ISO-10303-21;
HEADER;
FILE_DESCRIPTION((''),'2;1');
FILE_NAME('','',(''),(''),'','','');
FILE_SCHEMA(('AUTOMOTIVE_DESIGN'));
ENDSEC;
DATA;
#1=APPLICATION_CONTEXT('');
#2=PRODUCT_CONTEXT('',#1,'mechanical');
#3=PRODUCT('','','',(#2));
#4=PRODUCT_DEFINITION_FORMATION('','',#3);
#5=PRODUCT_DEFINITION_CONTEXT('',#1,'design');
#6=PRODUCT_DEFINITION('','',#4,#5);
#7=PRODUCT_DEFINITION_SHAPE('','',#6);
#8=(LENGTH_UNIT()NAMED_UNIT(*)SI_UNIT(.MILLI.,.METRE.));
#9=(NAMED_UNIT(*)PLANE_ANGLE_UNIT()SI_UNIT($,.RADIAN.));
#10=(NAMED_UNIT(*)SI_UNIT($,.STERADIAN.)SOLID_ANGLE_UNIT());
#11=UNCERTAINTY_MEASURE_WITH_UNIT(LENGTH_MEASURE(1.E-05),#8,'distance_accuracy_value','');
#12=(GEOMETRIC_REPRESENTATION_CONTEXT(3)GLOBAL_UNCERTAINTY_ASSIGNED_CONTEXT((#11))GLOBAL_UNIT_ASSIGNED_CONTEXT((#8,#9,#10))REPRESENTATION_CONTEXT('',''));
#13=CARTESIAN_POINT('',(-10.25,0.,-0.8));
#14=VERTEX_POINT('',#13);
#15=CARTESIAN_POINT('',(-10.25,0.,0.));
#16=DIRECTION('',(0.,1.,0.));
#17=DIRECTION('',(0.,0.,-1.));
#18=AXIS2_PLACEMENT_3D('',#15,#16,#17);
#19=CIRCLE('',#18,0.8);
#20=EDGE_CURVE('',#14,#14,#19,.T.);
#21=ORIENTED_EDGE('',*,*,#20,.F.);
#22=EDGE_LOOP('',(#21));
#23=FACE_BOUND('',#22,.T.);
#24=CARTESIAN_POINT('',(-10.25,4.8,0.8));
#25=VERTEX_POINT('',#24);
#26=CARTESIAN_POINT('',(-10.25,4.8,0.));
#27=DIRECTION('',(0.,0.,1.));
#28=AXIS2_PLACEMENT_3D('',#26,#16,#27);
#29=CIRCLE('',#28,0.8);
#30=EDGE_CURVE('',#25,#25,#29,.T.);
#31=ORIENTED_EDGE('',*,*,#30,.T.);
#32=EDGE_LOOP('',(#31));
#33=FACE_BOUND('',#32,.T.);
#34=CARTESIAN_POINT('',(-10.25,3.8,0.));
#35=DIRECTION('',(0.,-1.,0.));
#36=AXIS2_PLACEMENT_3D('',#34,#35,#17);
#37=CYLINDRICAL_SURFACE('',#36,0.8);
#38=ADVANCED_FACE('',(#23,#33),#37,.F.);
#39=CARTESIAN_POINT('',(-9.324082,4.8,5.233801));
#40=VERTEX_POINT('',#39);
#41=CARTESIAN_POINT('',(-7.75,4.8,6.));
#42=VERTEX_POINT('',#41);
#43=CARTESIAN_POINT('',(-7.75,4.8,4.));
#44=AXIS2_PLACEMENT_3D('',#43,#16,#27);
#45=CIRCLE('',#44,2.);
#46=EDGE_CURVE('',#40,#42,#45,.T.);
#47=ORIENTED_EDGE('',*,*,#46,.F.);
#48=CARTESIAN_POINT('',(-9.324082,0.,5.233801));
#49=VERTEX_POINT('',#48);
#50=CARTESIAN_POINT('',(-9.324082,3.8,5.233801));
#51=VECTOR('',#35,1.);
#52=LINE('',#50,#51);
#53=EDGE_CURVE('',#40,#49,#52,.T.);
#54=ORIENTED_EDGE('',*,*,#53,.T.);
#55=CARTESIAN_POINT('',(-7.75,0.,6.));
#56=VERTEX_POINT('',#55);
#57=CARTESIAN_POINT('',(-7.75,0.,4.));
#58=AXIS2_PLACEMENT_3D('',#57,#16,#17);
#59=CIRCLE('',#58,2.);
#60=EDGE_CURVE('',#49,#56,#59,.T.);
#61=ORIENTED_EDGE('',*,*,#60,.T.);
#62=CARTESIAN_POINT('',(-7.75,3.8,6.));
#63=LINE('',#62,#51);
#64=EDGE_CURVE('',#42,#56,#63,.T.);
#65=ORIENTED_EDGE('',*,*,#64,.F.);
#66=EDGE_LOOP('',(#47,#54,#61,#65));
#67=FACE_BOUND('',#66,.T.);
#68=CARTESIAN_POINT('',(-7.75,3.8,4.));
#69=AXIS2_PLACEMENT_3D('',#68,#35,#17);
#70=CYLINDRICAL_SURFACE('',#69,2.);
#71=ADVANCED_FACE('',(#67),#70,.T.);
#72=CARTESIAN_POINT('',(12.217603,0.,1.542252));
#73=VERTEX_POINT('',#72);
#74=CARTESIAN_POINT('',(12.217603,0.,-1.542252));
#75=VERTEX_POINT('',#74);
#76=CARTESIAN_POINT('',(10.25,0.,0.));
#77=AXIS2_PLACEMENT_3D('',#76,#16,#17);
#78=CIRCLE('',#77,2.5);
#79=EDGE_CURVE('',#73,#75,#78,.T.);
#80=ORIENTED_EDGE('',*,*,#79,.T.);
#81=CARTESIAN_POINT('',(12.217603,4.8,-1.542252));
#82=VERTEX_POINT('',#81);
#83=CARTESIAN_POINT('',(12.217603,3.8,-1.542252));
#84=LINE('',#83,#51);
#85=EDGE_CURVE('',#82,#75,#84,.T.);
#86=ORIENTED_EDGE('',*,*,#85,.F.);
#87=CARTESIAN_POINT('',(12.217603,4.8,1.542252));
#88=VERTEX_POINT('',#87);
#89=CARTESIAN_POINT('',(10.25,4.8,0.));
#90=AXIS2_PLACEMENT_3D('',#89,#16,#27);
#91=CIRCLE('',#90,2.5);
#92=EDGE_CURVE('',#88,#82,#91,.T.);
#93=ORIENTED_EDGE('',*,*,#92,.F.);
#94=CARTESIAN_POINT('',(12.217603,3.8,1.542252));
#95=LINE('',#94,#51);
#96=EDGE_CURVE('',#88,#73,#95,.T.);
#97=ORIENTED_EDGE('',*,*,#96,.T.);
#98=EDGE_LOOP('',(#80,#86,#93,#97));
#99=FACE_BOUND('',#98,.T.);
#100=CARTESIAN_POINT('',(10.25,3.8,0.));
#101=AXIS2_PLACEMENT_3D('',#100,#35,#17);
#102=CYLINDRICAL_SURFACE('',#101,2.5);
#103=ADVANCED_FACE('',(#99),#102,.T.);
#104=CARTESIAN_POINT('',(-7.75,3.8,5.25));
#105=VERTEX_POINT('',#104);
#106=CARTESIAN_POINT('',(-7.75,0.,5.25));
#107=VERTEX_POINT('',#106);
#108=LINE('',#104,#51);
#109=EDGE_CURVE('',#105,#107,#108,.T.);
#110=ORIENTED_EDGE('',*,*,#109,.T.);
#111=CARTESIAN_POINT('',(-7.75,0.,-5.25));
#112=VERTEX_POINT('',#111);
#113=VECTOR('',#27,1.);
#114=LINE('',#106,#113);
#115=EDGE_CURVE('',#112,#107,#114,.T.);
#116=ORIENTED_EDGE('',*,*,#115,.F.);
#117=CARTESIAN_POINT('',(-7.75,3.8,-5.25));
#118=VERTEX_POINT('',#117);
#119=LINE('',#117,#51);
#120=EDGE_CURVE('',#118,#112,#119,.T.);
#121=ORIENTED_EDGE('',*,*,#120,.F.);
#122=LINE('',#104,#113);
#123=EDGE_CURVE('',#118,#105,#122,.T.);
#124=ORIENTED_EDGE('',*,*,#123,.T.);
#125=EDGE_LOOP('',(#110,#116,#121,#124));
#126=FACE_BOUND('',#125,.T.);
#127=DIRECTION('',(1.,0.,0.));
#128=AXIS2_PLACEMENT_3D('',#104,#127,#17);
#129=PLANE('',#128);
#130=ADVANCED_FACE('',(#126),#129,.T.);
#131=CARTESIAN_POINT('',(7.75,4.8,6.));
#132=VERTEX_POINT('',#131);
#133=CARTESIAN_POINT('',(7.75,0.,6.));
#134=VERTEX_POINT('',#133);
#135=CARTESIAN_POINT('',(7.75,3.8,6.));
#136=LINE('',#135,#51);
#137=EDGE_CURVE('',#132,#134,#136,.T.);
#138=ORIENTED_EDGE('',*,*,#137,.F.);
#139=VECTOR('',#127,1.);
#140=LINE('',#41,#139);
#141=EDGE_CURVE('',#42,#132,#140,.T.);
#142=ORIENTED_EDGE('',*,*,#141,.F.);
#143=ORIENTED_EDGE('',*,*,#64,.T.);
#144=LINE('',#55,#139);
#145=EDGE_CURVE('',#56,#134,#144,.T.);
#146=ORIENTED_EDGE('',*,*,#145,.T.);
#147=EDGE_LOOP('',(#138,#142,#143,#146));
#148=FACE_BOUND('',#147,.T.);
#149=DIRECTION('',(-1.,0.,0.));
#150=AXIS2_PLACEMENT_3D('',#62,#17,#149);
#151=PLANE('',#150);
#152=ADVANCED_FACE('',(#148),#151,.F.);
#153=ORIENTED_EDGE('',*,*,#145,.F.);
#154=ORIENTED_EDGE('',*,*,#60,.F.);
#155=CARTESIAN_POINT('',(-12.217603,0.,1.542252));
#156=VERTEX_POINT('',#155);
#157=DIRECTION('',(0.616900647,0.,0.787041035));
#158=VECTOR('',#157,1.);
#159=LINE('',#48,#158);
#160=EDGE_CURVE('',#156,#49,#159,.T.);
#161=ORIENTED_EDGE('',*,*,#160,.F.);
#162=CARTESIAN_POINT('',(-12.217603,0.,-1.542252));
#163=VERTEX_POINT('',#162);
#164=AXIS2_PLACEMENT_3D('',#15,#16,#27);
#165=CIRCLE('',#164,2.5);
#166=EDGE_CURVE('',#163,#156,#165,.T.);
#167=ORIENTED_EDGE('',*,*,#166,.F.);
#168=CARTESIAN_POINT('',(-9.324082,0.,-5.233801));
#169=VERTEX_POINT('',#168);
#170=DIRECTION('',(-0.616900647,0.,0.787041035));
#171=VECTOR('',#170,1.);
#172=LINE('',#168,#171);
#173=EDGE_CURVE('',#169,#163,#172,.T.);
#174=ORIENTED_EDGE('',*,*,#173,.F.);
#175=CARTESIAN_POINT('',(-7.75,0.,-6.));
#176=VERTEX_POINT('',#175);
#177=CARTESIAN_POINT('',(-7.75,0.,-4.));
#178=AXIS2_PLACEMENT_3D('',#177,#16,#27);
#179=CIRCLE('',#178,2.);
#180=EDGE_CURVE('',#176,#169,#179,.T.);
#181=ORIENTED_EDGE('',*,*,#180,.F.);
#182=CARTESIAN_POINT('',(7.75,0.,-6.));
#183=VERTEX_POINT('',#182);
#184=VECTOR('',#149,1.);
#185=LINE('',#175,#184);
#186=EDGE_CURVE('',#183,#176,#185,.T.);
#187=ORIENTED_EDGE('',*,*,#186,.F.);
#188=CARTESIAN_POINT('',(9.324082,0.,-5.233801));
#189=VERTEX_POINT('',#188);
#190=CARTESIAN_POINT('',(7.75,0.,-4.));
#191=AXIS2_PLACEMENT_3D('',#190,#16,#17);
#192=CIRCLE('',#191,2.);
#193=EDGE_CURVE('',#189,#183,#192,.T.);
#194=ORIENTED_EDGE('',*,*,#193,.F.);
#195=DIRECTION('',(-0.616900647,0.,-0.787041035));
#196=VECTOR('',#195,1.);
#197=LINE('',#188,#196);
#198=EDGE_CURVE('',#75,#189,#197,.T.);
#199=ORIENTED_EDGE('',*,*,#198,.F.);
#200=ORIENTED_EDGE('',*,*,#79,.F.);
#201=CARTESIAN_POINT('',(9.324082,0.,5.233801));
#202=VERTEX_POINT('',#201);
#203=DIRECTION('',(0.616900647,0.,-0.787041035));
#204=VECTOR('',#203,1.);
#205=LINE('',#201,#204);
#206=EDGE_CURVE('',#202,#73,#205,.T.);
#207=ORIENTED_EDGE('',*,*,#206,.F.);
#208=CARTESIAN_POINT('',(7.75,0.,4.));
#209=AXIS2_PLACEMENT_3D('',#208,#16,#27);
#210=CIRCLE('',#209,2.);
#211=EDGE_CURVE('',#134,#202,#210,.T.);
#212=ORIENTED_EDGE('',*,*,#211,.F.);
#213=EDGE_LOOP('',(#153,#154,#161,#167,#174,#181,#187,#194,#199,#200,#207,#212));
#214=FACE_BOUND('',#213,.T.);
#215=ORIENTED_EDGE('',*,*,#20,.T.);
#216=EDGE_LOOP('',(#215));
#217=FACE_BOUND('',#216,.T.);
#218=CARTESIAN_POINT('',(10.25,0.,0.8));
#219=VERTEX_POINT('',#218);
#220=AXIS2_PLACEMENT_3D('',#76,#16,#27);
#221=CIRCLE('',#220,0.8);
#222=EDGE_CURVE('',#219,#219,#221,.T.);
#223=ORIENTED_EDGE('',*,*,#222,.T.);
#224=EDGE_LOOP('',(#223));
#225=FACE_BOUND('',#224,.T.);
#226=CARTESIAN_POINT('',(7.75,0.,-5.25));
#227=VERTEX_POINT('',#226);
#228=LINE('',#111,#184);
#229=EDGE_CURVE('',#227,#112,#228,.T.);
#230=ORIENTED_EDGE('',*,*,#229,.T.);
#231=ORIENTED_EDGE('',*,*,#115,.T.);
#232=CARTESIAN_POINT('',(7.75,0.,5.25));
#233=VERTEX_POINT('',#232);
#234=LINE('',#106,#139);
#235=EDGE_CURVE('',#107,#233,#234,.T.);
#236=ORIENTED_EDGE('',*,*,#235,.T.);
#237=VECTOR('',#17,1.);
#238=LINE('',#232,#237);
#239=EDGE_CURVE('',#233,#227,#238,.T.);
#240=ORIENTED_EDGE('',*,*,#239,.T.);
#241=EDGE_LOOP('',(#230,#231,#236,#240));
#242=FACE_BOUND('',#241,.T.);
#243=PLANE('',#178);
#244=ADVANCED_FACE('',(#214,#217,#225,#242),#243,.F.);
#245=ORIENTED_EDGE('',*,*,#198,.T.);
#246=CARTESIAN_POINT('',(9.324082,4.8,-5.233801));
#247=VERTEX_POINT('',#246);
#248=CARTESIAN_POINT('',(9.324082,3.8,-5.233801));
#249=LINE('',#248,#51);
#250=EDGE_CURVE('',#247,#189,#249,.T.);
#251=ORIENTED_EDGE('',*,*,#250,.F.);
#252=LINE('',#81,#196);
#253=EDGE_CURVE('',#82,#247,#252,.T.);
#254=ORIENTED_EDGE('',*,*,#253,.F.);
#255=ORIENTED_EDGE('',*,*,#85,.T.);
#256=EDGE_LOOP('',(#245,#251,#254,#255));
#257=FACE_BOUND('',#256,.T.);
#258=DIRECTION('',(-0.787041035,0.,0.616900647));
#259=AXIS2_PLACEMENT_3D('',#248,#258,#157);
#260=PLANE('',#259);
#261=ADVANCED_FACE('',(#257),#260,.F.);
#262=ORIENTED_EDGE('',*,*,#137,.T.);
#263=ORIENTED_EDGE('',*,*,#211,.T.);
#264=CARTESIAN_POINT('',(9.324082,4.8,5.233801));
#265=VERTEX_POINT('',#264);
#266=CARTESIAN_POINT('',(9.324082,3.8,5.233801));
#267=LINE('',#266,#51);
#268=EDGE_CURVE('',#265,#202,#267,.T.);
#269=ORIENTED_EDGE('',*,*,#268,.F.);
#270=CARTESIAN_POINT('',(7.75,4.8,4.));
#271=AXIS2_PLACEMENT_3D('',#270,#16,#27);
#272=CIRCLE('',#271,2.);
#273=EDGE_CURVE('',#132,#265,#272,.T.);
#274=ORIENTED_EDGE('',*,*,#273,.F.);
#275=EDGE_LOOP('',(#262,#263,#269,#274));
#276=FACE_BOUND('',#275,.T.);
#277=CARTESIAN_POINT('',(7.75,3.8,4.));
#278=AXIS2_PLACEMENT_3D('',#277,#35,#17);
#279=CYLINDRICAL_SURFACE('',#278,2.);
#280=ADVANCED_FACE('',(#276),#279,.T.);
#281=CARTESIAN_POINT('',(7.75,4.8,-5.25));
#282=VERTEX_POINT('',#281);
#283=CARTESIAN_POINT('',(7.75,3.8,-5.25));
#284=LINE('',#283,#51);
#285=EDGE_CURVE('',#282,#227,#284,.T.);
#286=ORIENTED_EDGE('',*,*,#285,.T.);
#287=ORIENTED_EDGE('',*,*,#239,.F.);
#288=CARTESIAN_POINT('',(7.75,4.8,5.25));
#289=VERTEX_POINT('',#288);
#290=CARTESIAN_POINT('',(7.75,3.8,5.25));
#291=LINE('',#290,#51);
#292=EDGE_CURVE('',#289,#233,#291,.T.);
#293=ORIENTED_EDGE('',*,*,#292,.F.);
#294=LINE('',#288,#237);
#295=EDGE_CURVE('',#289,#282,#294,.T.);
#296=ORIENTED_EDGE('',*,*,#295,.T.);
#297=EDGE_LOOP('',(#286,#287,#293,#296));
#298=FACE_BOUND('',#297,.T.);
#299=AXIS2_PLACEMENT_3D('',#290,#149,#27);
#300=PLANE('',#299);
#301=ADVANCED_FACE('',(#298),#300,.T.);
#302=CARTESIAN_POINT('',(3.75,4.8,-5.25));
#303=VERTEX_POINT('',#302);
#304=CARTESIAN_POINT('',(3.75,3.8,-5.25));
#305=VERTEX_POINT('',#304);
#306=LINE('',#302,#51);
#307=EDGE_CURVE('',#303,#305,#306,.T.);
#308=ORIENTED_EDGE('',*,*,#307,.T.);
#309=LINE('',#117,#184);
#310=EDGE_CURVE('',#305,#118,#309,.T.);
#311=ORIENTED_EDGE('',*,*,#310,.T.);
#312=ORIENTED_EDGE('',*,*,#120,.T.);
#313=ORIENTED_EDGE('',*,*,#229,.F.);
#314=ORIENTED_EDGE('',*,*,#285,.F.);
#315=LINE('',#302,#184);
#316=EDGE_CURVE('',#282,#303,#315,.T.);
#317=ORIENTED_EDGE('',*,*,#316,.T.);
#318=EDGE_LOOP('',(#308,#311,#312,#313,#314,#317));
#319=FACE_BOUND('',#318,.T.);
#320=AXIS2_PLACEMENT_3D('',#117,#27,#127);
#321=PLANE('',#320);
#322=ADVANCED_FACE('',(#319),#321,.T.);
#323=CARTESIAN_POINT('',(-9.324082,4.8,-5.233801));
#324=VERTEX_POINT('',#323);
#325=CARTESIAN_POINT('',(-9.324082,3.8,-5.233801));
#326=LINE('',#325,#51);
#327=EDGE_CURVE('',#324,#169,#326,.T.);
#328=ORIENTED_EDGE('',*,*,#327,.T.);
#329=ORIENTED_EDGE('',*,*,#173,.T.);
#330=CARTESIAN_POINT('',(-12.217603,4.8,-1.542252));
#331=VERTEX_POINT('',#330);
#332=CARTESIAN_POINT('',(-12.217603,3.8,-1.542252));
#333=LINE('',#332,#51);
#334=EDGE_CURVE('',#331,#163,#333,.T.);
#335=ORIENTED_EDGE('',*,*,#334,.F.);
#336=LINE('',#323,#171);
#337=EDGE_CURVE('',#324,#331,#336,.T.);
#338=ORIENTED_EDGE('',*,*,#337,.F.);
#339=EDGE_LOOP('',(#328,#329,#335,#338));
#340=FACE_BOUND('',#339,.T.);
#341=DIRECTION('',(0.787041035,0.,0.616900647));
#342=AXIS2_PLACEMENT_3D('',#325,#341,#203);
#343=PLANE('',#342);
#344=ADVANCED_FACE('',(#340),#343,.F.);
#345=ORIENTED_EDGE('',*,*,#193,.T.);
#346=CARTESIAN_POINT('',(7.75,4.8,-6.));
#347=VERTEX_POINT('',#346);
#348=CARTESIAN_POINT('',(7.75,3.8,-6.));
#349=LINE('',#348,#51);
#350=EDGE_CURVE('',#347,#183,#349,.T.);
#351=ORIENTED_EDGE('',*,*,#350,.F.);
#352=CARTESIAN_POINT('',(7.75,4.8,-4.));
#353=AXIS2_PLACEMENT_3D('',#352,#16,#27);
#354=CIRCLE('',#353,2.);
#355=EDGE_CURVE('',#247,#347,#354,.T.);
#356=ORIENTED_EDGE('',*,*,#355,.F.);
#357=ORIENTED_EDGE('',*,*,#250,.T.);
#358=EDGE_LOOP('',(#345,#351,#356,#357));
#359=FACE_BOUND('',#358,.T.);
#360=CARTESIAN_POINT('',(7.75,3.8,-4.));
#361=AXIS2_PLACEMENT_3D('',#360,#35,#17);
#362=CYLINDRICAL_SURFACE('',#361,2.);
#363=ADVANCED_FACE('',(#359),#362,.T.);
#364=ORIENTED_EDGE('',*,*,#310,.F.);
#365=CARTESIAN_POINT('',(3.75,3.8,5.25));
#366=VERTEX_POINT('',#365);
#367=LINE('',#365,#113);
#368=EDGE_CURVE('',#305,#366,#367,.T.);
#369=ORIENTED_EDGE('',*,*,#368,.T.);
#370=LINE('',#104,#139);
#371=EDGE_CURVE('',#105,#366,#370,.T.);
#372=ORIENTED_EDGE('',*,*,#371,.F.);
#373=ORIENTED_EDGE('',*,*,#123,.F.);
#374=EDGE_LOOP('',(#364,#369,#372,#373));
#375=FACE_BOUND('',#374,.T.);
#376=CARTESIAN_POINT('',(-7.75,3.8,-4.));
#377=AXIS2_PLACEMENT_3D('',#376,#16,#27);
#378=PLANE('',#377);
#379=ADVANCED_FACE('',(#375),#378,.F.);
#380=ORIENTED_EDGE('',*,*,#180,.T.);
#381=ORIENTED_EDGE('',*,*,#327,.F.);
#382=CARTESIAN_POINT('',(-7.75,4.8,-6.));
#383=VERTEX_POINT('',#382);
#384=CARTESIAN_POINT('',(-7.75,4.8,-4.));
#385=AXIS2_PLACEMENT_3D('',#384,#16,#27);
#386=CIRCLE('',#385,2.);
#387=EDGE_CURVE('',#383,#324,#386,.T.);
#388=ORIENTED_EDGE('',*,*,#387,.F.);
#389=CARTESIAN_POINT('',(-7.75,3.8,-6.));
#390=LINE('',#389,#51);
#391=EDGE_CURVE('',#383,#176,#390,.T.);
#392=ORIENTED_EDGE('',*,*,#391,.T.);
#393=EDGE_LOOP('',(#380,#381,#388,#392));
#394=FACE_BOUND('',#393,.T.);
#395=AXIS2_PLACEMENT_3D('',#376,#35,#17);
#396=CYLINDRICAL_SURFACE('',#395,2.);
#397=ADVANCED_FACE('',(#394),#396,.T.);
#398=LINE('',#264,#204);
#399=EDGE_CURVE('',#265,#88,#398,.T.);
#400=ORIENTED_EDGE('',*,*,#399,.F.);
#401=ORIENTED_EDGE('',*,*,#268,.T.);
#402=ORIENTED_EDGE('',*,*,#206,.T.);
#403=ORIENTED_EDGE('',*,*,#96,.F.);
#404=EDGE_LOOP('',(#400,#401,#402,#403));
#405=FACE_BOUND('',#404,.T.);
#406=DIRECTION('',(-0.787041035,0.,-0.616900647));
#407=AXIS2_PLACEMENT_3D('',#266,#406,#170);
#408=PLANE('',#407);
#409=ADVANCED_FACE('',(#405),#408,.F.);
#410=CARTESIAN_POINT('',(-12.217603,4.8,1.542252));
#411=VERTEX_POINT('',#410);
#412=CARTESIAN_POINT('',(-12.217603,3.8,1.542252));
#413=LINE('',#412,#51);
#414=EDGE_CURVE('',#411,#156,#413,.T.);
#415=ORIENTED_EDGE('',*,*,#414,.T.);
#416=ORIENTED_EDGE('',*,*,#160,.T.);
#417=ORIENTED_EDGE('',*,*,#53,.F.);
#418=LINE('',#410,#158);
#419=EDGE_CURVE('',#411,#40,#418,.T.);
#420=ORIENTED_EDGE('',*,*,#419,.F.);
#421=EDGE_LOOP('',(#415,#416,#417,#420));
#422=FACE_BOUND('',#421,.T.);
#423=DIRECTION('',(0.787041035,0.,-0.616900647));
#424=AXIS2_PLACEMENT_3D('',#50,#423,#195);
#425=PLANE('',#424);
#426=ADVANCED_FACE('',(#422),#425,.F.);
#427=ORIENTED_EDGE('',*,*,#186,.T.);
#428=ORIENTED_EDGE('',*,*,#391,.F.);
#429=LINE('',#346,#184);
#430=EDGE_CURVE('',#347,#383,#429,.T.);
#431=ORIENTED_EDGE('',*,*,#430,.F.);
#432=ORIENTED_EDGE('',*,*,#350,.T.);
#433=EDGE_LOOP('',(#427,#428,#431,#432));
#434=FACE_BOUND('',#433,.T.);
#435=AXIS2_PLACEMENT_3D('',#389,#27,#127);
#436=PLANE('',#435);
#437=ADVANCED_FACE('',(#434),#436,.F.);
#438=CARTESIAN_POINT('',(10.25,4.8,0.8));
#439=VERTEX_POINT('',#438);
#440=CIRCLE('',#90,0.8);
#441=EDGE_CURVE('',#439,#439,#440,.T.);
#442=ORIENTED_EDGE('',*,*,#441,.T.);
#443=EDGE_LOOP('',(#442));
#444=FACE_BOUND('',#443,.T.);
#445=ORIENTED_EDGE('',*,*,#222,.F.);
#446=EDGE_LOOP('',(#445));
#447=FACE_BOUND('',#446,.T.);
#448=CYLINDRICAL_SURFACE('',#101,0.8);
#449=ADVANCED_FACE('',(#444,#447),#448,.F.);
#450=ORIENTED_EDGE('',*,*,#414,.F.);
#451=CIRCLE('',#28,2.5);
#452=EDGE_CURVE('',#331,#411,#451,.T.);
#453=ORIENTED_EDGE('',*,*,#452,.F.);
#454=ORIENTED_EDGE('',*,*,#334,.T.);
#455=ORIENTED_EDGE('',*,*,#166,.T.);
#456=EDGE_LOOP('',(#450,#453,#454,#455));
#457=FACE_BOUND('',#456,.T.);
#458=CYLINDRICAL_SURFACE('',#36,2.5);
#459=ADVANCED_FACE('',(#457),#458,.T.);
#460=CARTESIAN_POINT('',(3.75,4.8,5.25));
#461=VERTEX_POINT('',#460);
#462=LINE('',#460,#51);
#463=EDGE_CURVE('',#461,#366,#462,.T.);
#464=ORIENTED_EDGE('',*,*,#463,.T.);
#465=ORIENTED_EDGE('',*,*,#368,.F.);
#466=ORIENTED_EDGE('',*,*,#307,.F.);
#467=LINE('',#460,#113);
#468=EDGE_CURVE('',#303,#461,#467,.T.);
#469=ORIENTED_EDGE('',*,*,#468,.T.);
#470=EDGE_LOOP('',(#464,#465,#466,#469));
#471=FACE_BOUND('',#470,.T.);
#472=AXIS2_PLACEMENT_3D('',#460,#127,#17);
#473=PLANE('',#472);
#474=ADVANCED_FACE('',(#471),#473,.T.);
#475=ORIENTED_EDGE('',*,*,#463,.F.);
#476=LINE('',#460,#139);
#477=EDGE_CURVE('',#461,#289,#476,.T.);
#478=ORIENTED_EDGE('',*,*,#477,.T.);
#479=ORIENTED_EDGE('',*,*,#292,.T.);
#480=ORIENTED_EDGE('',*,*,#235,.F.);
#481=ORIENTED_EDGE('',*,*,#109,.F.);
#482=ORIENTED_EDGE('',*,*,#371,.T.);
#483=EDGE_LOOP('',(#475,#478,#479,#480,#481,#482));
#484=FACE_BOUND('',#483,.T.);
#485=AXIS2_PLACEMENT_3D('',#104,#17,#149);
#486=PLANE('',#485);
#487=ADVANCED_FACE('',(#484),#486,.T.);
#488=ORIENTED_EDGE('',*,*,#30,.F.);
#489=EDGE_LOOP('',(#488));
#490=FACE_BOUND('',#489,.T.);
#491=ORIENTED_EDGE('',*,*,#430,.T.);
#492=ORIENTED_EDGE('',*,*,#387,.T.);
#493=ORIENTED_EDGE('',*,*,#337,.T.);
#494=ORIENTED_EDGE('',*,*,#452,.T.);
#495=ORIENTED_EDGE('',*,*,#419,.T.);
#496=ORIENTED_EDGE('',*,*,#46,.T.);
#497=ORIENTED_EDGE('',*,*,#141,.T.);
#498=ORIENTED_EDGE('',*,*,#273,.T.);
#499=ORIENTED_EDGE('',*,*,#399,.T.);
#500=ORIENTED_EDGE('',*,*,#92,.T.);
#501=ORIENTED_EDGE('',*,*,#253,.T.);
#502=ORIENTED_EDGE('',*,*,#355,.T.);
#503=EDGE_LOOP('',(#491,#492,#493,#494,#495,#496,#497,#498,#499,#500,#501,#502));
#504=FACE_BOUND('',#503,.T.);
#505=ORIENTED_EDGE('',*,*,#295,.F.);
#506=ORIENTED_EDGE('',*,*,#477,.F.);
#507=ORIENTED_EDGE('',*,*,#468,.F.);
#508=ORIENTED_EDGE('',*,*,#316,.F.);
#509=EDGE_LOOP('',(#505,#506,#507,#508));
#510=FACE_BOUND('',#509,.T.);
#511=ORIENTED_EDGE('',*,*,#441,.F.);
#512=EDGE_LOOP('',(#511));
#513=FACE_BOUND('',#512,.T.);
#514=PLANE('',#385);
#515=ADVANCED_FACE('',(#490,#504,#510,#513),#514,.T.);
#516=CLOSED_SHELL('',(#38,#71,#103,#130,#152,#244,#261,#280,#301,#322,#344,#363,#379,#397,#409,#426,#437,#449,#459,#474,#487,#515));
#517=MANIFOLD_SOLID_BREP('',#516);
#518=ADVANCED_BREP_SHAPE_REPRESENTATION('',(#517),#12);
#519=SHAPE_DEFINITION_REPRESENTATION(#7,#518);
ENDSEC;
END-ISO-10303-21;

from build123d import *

# Parameters (mm, degrees)
SKETCH1_R           = 0.8
SKETCH1_W           = 15.5
SKETCH1_H           = 10.5
BOSS_EXTRUDE1_DEPTH = 3.8
SKETCH2_R           = 0.8
SKETCH2_W           = 4
SKETCH2_H           = 10.5
BOSS_EXTRUDE2_DEPTH = 1


with BuildPart() as part:
    # Sketch1 → Boss-Extrude1 (new body)
    with BuildSketch(Plane(origin=(0, 0, 0), x_dir=(1, 0, 0), z_dir=(0, 1, 0))):
        with BuildLine():
            Line((-7.75, 6), (7.75, 6))
            ThreePointArc((7.75, 6), (8.62532777, 5.798277313), (9.324082071, 5.233801294))
            Line((9.324082071, 5.233801294), (12.217602589, 1.542251618))
            ThreePointArc((12.217602589, 1.542251618), (12.75, 0), (12.217602589, -1.542251618))
            Line((12.217602589, -1.542251618), (9.324082071, -5.233801294))
            ThreePointArc((9.324082071, -5.233801294), (8.62532777, -5.798277313), (7.75, -6))
            Line((7.75, -6), (-7.75, -6))
            ThreePointArc((-7.75, -6), (-8.62532777, -5.798277313), (-9.324082071, -5.233801294))
            Line((-9.324082071, -5.233801294), (-12.217602589, -1.542251618))
            ThreePointArc((-12.217602589, -1.542251618), (-12.75, 0), (-12.217602589, 1.542251618))
            Line((-12.217602589, 1.542251618), (-9.324082071, 5.233801294))
            ThreePointArc((-9.324082071, 5.233801294), (-8.62532777, 5.798277313), (-7.75, 6))
        make_face()
        with Locations((10.25, 0)):
            Circle(SKETCH1_R, mode=Mode.SUBTRACT)
        with Locations((-10.25, 0)):
            Circle(SKETCH1_R, mode=Mode.SUBTRACT)
        Rectangle(SKETCH1_W, SKETCH1_H, mode=Mode.SUBTRACT)
    extrude(amount=BOSS_EXTRUDE1_DEPTH)

    # Sketch2 → Boss-Extrude2 (add)
    with BuildSketch(Plane(origin=(0, 3.8, 0), x_dir=(1, 0, 0), z_dir=(0, 1, 0))):
        with BuildLine():
            Line((-9.324082071, 5.233801294), (-12.217602589, 1.542251618))
            ThreePointArc((-12.217602589, 1.542251618), (-12.75, 0), (-12.217602589, -1.542251618))
            Line((-12.217602589, -1.542251618), (-9.324082071, -5.233801294))
            ThreePointArc((-9.324082071, -5.233801294), (-8.62532777, -5.798277313), (-7.75, -6))
            Line((-7.75, -6), (7.75, -6))
            ThreePointArc((7.75, -6), (8.62532777, -5.798277313), (9.324082071, -5.233801294))
            Line((9.324082071, -5.233801294), (12.217602589, -1.542251618))
            ThreePointArc((12.217602589, -1.542251618), (12.75, 0), (12.217602589, 1.542251618))
            Line((12.217602589, 1.542251618), (9.324082071, 5.233801294))
            ThreePointArc((9.324082071, 5.233801294), (8.62532777, 5.798277313), (7.75, 6))
            Line((7.75, 6), (-7.75, 6))
            ThreePointArc((-7.75, 6), (-8.62532777, 5.798277313), (-9.324082071, 5.233801294))
        make_face()
        with Locations((10.25, 0)):
            Circle(SKETCH2_R, mode=Mode.SUBTRACT)
        with Locations((-10.25, 0)):
            Circle(SKETCH2_R, mode=Mode.SUBTRACT)
        with Locations((5.75, 0)):
            Rectangle(SKETCH2_W, SKETCH2_H, mode=Mode.SUBTRACT)
    extrude(amount=BOSS_EXTRUDE2_DEPTH)


solid = part.part
